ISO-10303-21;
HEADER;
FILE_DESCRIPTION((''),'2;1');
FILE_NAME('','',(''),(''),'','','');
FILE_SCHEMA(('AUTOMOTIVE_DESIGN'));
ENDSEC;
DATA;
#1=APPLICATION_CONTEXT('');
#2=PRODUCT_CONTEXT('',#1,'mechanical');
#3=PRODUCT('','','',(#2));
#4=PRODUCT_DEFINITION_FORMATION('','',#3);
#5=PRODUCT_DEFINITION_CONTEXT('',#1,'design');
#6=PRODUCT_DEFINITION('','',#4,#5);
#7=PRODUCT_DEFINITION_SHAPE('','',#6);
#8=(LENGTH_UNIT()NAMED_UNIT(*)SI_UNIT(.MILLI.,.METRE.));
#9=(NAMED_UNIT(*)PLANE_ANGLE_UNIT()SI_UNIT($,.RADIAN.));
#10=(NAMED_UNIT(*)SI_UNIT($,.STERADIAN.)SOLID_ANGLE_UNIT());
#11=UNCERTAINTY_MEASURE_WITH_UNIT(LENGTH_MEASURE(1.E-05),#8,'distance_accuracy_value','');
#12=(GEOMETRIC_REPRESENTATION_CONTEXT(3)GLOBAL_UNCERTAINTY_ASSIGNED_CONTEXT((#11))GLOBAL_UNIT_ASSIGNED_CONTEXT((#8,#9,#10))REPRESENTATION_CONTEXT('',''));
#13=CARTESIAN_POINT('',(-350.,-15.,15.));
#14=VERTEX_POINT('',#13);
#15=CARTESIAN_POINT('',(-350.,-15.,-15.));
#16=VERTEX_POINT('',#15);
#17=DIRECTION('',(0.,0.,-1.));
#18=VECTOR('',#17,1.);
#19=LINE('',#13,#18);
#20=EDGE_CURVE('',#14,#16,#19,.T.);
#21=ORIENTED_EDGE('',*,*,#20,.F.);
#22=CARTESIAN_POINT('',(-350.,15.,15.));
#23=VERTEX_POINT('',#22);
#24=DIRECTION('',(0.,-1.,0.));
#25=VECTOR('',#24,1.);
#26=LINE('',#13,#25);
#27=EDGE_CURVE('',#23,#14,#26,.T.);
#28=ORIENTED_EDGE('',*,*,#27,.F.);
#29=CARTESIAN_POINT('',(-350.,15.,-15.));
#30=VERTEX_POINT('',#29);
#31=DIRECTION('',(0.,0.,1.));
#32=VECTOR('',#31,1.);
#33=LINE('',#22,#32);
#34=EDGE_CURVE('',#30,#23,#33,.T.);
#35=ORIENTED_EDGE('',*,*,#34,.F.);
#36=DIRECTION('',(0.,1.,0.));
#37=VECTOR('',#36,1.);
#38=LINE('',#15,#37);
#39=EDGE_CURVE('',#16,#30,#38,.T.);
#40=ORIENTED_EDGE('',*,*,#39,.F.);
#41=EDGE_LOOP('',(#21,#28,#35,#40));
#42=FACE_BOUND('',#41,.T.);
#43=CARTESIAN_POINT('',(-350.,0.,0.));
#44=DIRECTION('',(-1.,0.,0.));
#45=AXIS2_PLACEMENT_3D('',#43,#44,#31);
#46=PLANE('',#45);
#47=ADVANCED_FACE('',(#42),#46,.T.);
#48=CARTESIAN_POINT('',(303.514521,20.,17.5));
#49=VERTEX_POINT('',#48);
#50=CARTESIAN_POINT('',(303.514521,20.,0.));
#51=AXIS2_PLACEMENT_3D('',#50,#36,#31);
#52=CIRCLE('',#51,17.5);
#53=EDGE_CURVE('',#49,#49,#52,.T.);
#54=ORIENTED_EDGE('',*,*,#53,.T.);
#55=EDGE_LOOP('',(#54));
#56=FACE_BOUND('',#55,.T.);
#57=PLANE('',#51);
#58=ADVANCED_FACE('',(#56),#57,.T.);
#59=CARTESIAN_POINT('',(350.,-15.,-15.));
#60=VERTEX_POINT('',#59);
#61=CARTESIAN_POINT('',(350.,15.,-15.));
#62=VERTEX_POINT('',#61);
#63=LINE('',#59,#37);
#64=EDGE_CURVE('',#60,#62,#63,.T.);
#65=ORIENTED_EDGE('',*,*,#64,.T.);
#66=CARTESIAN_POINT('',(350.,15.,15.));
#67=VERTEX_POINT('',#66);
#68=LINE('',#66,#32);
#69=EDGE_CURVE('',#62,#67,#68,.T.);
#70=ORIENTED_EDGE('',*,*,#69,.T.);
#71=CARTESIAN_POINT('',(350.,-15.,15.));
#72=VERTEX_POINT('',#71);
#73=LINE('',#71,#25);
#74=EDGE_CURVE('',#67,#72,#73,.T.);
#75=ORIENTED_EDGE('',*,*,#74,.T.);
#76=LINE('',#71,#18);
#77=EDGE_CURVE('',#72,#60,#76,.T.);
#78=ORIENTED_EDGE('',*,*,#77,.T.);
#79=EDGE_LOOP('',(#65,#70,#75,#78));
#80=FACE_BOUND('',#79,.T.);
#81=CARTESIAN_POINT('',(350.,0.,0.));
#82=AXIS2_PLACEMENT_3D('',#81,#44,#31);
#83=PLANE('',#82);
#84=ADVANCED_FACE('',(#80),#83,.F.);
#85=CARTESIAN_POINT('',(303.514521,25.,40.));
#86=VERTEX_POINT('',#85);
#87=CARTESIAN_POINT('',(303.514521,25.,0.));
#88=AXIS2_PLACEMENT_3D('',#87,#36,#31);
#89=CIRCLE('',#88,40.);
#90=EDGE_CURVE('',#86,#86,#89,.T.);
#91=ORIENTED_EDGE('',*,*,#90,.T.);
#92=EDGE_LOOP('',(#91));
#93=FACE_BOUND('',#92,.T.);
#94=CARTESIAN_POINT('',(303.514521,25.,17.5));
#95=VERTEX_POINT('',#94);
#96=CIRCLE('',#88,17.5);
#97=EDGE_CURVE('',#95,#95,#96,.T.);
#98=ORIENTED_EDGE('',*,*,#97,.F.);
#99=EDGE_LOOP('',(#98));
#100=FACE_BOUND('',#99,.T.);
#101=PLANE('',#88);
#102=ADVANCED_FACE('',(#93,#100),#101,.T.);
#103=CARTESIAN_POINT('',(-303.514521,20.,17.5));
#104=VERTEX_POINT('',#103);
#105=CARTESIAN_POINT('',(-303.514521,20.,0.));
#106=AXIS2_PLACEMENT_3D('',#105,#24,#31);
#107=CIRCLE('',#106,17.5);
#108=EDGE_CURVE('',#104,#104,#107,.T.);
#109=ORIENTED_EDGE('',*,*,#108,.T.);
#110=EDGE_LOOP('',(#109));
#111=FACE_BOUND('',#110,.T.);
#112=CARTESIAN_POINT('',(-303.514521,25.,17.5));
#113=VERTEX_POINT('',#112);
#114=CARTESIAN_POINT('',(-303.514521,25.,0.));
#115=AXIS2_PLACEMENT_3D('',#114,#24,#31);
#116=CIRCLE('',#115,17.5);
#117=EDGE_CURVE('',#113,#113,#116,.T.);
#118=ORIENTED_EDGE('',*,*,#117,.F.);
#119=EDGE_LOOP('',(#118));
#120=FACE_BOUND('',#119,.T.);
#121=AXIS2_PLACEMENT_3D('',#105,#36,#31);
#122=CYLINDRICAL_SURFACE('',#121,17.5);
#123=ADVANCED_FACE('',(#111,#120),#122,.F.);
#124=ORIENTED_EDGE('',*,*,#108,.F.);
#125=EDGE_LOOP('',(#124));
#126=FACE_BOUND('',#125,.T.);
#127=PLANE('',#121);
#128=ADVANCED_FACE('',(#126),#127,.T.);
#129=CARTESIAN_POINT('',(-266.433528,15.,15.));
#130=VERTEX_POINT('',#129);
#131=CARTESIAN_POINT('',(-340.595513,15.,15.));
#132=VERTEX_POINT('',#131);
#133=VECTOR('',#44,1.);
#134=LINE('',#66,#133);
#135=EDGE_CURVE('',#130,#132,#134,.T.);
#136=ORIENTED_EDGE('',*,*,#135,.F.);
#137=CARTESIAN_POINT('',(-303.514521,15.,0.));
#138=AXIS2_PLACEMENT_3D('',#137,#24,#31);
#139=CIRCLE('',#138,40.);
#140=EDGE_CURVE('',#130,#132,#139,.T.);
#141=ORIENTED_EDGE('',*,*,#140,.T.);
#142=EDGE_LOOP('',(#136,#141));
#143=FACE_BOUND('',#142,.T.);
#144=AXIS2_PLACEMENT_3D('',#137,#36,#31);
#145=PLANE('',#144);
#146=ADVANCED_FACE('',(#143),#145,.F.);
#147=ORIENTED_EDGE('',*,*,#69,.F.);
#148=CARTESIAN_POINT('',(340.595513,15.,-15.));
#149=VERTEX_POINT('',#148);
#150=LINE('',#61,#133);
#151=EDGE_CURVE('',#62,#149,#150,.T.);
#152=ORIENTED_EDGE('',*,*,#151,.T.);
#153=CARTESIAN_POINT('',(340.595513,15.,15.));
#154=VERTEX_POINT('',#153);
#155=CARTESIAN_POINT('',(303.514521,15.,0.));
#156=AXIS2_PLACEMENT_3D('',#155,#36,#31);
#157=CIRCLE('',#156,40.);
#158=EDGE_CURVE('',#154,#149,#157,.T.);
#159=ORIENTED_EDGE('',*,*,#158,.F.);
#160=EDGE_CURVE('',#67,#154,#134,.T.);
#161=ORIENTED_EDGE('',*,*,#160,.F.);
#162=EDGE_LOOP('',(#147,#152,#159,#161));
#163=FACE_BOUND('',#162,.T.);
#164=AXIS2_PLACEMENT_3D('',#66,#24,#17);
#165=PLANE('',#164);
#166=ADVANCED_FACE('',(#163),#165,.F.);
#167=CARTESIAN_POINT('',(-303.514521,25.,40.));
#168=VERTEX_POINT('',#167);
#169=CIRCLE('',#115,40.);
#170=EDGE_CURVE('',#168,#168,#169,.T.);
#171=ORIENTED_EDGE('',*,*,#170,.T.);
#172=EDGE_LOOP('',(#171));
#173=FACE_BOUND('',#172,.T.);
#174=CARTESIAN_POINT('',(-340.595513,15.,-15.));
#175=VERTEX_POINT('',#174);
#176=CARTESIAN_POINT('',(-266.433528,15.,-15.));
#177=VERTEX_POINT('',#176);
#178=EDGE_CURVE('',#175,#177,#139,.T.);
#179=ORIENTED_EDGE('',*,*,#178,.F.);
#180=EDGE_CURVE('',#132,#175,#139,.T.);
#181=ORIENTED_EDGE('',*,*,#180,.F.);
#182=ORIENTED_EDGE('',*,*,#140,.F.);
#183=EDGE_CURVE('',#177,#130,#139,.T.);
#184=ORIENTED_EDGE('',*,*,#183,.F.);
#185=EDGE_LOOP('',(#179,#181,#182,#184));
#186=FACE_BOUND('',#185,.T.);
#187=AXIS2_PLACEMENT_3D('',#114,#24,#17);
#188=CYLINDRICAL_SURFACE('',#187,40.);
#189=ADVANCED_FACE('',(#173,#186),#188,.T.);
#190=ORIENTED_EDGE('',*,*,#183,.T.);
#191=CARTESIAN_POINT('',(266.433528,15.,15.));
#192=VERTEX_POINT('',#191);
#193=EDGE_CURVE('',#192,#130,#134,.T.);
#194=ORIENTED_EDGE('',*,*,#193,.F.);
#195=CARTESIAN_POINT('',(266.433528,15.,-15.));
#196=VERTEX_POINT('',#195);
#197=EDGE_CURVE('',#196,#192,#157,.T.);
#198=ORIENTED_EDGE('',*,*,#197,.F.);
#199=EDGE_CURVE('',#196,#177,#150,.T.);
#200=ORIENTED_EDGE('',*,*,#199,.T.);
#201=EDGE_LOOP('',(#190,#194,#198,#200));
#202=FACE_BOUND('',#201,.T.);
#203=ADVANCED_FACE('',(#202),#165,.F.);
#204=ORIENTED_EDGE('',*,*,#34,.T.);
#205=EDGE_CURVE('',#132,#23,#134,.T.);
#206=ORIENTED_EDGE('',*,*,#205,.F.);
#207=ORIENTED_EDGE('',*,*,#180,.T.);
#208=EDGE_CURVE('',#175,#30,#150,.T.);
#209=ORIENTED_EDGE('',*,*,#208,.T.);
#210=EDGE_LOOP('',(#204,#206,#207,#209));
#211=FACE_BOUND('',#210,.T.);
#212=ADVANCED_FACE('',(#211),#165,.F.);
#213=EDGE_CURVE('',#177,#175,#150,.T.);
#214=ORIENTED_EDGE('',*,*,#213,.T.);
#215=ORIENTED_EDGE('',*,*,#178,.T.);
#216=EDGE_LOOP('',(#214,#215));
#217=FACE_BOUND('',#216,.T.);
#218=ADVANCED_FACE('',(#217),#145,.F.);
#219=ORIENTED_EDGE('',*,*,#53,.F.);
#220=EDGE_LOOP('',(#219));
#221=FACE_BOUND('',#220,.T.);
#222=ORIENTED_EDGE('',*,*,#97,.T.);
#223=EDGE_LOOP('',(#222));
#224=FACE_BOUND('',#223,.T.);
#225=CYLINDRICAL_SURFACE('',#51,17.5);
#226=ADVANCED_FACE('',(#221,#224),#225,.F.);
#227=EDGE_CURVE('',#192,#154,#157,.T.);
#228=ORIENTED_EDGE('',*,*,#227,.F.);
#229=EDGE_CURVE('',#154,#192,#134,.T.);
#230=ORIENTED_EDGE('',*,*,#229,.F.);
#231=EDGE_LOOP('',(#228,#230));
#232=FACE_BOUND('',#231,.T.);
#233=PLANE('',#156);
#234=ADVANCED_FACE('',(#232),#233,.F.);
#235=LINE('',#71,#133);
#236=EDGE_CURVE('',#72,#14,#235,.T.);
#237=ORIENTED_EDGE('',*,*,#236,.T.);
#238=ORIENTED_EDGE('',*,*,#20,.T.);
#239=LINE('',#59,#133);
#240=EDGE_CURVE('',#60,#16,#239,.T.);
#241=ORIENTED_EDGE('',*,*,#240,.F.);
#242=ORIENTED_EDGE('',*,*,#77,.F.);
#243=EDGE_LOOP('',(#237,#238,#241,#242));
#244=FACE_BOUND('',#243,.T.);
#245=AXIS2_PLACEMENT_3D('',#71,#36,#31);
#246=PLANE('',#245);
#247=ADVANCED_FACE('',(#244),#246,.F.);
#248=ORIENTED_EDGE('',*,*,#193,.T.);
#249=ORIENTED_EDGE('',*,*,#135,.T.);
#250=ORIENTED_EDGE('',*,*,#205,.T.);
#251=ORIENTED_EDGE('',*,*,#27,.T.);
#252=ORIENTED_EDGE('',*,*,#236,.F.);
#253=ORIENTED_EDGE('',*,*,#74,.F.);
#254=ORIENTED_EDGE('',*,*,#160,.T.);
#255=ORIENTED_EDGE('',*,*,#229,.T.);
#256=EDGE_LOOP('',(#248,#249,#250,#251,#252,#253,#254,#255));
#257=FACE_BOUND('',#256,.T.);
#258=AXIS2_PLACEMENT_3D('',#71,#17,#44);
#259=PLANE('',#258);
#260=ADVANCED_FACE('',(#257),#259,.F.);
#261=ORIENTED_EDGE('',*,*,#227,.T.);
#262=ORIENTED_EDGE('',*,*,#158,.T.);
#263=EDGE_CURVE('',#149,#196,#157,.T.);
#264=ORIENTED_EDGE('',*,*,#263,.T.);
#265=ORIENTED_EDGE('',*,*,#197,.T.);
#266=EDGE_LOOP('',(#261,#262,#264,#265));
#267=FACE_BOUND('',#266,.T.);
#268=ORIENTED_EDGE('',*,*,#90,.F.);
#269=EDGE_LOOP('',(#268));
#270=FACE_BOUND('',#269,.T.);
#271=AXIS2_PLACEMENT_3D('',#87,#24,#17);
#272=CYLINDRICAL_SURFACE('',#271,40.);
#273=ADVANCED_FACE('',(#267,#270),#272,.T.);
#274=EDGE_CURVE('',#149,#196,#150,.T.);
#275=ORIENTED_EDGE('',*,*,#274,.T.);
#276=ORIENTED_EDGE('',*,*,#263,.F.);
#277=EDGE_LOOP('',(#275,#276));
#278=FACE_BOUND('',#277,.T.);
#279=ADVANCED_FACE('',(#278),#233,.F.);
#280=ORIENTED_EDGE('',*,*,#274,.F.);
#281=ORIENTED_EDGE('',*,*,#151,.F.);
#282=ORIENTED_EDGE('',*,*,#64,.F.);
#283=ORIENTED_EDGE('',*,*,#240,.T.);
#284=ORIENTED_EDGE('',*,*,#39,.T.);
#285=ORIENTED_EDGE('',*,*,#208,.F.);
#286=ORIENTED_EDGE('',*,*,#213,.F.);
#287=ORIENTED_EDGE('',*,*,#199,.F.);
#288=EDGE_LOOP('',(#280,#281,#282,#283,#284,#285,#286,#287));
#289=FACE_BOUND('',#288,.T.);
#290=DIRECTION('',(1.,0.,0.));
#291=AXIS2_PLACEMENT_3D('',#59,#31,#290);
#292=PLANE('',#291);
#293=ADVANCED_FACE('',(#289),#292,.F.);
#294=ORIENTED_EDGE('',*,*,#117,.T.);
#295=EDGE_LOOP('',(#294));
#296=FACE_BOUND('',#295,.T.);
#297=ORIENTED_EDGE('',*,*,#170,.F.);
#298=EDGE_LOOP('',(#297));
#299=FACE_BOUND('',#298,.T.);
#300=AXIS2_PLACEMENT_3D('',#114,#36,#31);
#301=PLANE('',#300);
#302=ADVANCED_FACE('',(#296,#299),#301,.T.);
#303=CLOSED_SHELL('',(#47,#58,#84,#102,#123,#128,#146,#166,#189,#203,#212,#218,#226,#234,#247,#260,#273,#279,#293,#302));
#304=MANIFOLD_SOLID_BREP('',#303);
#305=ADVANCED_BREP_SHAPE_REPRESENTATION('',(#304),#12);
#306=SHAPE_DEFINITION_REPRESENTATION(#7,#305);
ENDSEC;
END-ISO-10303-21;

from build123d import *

# Parameters (mm, degrees)
SKETCH1_W           = 30
SKETCH1_H           = 30
BOSS_EXTRUDE1_DEPTH = 350
SKETCH2_R           = 40
BOSS_EXTRUDE2_DEPTH = 10
SKETCH3_R           = 17.5
CUT_EXTRUDE1_DEPTH  = 5


with BuildPart() as part:
    # Sketch1 → Boss-Extrude1 (new, symmetric)
    with BuildSketch(Plane(origin=(0, 0, 0), x_dir=(0, 0, -1), z_dir=(1, 0, 0))):
        Rectangle(SKETCH1_W, SKETCH1_H)
    extrude(amount=BOSS_EXTRUDE1_DEPTH, both=True)

    # Sketch2 → Boss-Extrude2 (add)
    with BuildSketch(Plane(origin=(0, 15, 0), x_dir=(1, 0, 0), z_dir=(0, 1, 0))):
        with Locations(Location((303.514520503, 0, 0), (0, 0, 157.975687163))):
            Circle(SKETCH2_R)
    boss_extrude2 = extrude(amount=BOSS_EXTRUDE2_DEPTH)

    # Sketch3 → Cut-Extrude1 (cut)
    with BuildSketch(Plane(origin=(0, 25, 0), x_dir=(1, 0, 0), z_dir=(0, 1, 0))):
        with Locations(Location((303.514520503, 0, 0), (0, 0, 270))):
            Circle(SKETCH3_R)
    cut_extrude1 = extrude(amount=-CUT_EXTRUDE1_DEPTH, mode=Mode.SUBTRACT)

    # Mirror1: Boss-Extrude2, Cut-Extrude1 across plane
    add(boss_extrude2.mirror(Plane(origin=(0, 0, 0), x_dir=(0, 0, 1), z_dir=(1, 0, 0))))
    add(cut_extrude1.mirror(Plane(origin=(0, 0, 0), x_dir=(0, 0, 1), z_dir=(1, 0, 0))), mode=Mode.SUBTRACT)


solid = part.part
